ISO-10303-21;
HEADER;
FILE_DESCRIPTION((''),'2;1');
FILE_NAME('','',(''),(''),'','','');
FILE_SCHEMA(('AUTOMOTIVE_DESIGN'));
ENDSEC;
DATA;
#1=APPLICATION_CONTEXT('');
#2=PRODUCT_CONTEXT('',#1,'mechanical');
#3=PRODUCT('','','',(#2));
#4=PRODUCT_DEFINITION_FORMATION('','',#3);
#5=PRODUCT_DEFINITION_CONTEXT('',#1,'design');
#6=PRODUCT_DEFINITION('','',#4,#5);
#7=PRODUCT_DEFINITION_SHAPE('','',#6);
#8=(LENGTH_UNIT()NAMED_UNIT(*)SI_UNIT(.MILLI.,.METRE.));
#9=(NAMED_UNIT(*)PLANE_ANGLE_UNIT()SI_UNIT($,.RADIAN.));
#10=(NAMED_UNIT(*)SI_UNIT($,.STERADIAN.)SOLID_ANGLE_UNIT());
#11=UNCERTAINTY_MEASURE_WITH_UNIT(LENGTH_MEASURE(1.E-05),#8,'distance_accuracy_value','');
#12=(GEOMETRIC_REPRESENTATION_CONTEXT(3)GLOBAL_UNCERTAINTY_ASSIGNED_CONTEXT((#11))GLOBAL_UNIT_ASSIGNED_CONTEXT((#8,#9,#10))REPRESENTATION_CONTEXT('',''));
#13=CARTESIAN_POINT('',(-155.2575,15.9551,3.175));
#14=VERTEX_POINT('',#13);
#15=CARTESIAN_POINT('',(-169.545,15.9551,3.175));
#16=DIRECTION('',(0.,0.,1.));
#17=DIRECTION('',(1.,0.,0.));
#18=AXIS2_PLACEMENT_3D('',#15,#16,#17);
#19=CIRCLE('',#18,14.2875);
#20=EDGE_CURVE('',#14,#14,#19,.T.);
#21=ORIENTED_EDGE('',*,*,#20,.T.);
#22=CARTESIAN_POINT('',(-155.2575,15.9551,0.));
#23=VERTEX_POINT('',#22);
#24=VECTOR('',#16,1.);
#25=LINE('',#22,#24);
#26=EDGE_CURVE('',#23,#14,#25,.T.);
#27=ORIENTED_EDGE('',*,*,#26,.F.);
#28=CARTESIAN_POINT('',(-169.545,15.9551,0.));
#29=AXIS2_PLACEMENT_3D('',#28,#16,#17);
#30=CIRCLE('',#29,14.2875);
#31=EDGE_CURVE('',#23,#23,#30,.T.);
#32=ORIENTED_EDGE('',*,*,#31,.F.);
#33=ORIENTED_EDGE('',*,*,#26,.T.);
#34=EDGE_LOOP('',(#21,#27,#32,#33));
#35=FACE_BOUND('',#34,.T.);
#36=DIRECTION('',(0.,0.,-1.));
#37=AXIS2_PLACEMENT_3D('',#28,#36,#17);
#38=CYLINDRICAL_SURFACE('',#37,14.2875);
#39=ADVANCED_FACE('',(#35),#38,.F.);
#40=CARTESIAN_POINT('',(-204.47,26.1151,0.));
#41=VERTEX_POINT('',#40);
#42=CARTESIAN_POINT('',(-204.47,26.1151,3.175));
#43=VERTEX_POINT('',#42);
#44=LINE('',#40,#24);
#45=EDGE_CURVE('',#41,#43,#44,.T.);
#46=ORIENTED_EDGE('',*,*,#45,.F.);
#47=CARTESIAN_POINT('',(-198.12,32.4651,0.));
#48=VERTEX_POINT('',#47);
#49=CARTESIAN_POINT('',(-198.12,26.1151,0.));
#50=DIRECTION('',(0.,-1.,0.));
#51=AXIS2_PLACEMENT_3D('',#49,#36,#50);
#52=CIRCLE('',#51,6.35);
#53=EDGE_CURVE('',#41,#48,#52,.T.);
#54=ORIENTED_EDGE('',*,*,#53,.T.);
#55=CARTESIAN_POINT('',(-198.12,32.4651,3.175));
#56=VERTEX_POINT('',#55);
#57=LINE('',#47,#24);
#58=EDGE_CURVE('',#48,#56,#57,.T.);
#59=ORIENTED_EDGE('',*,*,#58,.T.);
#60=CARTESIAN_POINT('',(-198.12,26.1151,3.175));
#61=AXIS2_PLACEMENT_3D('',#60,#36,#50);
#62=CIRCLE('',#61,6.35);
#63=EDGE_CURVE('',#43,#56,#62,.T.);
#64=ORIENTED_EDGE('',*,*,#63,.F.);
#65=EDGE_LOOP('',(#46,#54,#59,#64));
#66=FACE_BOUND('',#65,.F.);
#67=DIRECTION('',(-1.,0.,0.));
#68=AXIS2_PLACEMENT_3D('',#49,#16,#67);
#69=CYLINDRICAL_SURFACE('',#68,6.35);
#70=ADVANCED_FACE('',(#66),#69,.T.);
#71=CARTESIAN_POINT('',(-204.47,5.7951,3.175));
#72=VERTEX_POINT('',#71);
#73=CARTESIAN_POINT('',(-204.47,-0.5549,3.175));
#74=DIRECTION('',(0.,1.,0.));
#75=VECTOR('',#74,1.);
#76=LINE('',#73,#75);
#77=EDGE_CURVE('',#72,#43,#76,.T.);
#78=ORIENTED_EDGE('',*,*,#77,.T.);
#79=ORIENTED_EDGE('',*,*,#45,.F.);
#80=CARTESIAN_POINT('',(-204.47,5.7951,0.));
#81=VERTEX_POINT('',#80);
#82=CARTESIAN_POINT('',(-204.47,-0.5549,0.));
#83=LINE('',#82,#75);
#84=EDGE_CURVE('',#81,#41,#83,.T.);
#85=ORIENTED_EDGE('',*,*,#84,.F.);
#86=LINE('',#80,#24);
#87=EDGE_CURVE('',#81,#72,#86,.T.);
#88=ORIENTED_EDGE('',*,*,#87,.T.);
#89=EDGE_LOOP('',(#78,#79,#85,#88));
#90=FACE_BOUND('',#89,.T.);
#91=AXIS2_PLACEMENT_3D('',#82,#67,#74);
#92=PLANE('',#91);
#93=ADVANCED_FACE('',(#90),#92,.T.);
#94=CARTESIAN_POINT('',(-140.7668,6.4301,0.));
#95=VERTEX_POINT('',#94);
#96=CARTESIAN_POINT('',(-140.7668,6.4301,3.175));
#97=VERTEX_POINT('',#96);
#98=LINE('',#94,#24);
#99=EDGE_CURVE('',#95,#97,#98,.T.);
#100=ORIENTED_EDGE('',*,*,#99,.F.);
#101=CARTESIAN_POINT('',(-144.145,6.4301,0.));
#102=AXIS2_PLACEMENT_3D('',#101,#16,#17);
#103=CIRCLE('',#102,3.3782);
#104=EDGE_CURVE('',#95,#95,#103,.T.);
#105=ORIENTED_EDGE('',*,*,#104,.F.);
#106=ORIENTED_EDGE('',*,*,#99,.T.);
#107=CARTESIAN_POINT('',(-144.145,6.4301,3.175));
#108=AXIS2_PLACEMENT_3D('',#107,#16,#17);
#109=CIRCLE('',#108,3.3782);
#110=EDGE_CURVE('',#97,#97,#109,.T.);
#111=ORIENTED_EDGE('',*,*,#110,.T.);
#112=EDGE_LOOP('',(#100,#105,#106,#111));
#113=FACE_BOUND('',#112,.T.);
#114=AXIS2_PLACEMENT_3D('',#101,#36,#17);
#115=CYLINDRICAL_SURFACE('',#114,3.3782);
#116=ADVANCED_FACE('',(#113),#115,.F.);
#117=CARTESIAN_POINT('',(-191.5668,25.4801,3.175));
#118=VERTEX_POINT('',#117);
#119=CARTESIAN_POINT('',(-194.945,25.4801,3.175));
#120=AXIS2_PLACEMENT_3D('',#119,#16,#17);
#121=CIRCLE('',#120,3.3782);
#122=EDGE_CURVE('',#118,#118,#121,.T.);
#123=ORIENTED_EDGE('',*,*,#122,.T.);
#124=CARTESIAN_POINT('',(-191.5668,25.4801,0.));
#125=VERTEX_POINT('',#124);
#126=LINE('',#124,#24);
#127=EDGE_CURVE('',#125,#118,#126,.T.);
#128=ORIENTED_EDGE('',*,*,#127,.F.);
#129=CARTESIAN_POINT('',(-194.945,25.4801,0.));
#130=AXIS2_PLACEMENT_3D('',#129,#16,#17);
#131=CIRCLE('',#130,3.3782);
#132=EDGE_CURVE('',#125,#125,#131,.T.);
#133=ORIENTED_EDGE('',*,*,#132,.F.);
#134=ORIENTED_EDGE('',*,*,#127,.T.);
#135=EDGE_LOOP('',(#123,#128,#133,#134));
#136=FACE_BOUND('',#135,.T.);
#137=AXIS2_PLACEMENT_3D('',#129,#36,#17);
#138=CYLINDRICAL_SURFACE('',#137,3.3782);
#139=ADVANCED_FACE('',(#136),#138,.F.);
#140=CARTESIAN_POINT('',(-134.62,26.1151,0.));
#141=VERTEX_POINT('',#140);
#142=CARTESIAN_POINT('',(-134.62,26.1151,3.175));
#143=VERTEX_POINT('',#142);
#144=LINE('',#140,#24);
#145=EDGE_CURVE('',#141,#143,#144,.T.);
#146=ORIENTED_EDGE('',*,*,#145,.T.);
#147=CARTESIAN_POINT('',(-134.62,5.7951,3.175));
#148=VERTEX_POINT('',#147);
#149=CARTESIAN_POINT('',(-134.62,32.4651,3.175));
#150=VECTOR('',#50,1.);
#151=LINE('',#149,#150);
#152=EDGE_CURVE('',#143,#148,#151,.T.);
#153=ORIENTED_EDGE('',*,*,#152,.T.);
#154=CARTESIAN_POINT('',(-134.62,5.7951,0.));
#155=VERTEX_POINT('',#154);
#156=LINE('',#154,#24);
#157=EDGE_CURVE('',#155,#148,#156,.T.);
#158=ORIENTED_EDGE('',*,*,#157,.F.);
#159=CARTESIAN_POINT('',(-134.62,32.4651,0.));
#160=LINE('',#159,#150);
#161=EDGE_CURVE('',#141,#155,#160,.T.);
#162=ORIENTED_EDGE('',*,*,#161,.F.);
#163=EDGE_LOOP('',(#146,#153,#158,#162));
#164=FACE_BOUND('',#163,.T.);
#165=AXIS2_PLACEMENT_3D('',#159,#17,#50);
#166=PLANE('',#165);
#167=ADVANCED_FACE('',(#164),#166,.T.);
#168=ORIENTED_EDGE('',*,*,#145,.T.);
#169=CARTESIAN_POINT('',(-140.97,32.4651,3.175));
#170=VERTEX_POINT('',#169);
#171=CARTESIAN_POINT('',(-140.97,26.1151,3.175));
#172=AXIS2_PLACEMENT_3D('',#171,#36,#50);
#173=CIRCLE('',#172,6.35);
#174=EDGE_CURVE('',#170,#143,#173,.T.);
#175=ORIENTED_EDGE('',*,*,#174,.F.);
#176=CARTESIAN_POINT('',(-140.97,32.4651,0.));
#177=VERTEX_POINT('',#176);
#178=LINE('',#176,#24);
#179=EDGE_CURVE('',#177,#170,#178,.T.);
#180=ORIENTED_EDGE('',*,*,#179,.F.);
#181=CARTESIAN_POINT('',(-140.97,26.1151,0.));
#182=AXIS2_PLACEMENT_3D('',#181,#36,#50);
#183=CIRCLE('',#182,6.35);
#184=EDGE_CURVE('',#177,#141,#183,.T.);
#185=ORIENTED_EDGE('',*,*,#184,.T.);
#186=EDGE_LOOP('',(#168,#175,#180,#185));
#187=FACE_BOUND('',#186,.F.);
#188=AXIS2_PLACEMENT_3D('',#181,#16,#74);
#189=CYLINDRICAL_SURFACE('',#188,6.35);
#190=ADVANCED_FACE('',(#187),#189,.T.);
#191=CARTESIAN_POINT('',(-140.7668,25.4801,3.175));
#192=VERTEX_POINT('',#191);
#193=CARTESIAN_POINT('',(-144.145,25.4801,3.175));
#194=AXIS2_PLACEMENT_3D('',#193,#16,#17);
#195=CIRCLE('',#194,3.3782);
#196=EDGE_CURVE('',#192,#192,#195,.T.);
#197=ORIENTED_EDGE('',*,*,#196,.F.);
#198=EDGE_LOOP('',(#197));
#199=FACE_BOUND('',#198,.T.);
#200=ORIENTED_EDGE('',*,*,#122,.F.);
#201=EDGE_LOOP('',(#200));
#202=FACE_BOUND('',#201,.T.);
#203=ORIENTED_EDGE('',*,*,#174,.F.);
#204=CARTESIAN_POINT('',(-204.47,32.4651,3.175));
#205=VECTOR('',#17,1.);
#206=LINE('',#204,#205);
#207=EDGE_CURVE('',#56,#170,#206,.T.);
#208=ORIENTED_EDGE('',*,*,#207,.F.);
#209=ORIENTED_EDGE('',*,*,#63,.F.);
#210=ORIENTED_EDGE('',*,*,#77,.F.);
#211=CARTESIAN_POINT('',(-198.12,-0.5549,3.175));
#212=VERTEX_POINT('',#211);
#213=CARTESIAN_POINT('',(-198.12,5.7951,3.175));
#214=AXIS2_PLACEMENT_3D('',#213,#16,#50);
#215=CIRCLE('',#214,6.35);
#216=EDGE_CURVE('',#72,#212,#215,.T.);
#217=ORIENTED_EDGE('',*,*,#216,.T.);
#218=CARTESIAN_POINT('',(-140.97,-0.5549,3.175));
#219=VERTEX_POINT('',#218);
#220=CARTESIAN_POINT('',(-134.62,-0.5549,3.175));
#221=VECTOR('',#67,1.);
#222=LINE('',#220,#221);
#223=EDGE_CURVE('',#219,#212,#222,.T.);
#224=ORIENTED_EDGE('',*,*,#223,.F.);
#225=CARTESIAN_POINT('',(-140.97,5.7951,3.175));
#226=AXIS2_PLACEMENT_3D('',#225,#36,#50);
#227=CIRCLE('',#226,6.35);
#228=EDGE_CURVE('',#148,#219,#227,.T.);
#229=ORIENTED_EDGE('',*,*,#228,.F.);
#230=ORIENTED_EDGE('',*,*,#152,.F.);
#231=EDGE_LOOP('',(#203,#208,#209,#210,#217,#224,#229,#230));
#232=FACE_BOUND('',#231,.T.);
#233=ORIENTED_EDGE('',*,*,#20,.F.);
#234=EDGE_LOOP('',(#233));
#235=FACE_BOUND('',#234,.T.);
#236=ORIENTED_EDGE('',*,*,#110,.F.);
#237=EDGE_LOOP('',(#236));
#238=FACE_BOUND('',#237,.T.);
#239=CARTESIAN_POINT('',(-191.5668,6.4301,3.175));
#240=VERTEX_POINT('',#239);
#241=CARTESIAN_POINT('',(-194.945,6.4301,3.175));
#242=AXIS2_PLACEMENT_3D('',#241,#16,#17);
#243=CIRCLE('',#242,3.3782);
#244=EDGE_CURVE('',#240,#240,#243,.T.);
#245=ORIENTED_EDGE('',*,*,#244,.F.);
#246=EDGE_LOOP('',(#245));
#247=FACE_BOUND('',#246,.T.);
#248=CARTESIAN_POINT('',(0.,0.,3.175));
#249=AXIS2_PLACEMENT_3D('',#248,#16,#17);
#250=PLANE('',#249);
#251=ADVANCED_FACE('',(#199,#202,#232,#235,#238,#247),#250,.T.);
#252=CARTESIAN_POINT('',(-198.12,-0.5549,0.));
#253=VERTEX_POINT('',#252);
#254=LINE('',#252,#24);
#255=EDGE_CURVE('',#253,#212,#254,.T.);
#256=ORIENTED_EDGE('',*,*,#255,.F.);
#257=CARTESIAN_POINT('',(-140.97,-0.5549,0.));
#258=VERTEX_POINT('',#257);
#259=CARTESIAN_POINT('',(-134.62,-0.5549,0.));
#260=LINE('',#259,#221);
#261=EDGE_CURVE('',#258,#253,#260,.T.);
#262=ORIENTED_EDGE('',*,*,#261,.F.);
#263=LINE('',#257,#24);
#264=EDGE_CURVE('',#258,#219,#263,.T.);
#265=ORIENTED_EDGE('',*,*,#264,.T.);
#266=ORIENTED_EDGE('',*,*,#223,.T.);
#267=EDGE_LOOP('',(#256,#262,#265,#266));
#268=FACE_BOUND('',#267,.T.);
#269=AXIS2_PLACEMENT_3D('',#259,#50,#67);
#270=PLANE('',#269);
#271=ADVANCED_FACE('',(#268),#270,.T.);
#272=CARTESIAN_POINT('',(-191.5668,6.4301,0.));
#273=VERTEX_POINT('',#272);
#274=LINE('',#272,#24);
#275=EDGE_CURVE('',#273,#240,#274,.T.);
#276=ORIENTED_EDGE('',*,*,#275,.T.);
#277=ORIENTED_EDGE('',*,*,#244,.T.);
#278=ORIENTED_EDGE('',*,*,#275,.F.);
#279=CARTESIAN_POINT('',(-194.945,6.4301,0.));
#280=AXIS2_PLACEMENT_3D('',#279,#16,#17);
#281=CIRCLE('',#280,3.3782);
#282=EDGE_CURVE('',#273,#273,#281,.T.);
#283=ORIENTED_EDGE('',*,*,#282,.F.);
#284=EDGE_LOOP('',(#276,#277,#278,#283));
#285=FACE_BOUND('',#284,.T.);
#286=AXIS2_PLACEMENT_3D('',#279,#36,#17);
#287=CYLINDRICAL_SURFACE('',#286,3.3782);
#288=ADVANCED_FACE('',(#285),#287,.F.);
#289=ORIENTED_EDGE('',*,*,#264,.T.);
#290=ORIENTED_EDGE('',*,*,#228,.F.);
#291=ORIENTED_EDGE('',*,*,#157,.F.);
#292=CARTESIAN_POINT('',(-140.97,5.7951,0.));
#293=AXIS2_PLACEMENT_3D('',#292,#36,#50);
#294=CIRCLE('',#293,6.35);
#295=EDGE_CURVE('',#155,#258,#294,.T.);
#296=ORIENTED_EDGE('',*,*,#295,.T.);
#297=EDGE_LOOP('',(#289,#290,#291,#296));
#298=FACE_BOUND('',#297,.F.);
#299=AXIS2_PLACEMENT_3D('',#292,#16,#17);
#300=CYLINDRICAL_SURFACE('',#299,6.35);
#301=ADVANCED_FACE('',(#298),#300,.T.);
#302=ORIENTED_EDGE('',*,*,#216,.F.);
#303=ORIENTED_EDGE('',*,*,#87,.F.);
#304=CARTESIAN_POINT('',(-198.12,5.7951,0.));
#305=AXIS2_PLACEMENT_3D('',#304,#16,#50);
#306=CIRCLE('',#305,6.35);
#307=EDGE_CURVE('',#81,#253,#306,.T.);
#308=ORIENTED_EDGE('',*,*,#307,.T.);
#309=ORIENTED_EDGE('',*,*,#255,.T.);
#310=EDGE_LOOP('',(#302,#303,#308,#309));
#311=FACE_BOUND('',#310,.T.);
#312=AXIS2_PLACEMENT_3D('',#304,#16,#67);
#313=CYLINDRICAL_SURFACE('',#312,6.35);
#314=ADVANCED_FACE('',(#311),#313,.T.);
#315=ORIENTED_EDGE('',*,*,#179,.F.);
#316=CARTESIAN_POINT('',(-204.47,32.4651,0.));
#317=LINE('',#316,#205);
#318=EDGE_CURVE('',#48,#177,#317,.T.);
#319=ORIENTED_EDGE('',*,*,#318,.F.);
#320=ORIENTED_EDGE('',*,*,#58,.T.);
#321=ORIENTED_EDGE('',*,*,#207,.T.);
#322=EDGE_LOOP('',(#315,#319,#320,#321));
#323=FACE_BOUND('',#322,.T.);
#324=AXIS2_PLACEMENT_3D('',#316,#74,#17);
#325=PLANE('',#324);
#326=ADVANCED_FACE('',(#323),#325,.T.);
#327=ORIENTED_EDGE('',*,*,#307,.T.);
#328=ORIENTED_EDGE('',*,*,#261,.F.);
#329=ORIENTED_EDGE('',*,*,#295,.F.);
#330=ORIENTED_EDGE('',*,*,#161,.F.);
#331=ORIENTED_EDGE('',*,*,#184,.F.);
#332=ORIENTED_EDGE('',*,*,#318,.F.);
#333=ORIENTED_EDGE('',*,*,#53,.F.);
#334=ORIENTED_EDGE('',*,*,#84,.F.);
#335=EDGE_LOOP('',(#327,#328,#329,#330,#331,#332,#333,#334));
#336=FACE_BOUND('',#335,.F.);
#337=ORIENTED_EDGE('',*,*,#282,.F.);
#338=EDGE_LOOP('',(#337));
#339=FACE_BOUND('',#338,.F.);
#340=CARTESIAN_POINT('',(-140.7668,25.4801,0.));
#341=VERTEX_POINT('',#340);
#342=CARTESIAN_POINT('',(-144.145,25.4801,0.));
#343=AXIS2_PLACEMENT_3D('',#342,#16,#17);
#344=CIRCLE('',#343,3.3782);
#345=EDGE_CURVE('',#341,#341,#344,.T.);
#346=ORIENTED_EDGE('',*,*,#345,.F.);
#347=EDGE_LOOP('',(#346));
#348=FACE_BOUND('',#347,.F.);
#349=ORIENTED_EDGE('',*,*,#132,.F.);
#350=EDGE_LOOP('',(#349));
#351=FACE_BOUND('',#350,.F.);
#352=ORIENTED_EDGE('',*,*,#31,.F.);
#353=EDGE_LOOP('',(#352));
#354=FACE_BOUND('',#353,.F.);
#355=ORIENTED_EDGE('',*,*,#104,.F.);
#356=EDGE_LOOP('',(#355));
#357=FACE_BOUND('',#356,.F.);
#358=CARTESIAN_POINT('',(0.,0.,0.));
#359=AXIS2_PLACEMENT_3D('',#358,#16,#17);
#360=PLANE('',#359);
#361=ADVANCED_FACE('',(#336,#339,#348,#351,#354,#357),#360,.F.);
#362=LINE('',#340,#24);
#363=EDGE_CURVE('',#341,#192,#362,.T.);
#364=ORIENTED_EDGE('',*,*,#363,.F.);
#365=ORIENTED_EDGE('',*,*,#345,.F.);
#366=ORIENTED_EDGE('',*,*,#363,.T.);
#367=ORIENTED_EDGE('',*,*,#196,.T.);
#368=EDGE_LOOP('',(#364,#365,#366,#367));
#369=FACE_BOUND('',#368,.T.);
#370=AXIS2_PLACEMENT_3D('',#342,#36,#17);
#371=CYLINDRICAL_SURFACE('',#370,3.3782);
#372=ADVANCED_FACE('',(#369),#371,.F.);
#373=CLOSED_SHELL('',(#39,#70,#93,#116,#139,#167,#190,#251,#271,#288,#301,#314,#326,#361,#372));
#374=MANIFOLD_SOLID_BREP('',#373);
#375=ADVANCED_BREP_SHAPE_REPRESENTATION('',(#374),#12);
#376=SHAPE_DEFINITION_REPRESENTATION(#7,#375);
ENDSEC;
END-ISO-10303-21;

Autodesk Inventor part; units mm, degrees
ref_plane "YZ Plane" through (0, 0, 0) normal (1, 0, 0) x (0, 1, 0)
ref_plane "XZ Plane" through (0, 0, 0) normal (0, 1, 0) x (-1, 0, 0)
ref_plane "XY Plane" through (0, 0, 0) normal (0, 0, 1) x (1, 0, 0)
sketch "Sketch1" plane through (0, 0, 0) normal (0, 0, 1) x (1, 0, 0)
  circle A0 centre (-194.945, 6.4301) radius 3.3782
  circle A1 centre (-194.945, 25.4801) radius 3.3782
  circle A2 centre (-144.145, 6.4301) radius 3.3782
  circle A3 centre (-144.145, 25.4801) radius 3.3782
  circle A4 centre (-169.545, 15.9551) radius 14.2875
  line L0 (-254, -1.8249) -> (254, -1.8249) construction
  line L1 (-247.65, 40.5304) -> (247.65, 40.5304) construction
  line L2 (-204.47, -0.5549) -> (-204.47, 32.4651)
  line L3 (-204.47, 32.4651) -> (-134.62, 32.4651)
  line L4 (-134.62, 32.4651) -> (-134.62, -0.5549)
  line L5 (-134.62, -0.5549) -> (-204.47, -0.5549)
  point P0 (0, 0)
extrude "Extrusion1" add sketch "Sketch1" along normal blind 3.175
fillet "Fillet1" radius 6.35 4 edges at (-204.47, 32.4651, 1.5875) (-204.47, -0.5549, 1.5875) (-134.62, 32.4651, 1.5875) (-134.62, -0.5549, 1.5875)
equation "\"d2\" = d1"
equation "\"d1\" = 9.525"
properties part number "V5 Shooter Bearing Support Plate" material "Aluminum-6061"
